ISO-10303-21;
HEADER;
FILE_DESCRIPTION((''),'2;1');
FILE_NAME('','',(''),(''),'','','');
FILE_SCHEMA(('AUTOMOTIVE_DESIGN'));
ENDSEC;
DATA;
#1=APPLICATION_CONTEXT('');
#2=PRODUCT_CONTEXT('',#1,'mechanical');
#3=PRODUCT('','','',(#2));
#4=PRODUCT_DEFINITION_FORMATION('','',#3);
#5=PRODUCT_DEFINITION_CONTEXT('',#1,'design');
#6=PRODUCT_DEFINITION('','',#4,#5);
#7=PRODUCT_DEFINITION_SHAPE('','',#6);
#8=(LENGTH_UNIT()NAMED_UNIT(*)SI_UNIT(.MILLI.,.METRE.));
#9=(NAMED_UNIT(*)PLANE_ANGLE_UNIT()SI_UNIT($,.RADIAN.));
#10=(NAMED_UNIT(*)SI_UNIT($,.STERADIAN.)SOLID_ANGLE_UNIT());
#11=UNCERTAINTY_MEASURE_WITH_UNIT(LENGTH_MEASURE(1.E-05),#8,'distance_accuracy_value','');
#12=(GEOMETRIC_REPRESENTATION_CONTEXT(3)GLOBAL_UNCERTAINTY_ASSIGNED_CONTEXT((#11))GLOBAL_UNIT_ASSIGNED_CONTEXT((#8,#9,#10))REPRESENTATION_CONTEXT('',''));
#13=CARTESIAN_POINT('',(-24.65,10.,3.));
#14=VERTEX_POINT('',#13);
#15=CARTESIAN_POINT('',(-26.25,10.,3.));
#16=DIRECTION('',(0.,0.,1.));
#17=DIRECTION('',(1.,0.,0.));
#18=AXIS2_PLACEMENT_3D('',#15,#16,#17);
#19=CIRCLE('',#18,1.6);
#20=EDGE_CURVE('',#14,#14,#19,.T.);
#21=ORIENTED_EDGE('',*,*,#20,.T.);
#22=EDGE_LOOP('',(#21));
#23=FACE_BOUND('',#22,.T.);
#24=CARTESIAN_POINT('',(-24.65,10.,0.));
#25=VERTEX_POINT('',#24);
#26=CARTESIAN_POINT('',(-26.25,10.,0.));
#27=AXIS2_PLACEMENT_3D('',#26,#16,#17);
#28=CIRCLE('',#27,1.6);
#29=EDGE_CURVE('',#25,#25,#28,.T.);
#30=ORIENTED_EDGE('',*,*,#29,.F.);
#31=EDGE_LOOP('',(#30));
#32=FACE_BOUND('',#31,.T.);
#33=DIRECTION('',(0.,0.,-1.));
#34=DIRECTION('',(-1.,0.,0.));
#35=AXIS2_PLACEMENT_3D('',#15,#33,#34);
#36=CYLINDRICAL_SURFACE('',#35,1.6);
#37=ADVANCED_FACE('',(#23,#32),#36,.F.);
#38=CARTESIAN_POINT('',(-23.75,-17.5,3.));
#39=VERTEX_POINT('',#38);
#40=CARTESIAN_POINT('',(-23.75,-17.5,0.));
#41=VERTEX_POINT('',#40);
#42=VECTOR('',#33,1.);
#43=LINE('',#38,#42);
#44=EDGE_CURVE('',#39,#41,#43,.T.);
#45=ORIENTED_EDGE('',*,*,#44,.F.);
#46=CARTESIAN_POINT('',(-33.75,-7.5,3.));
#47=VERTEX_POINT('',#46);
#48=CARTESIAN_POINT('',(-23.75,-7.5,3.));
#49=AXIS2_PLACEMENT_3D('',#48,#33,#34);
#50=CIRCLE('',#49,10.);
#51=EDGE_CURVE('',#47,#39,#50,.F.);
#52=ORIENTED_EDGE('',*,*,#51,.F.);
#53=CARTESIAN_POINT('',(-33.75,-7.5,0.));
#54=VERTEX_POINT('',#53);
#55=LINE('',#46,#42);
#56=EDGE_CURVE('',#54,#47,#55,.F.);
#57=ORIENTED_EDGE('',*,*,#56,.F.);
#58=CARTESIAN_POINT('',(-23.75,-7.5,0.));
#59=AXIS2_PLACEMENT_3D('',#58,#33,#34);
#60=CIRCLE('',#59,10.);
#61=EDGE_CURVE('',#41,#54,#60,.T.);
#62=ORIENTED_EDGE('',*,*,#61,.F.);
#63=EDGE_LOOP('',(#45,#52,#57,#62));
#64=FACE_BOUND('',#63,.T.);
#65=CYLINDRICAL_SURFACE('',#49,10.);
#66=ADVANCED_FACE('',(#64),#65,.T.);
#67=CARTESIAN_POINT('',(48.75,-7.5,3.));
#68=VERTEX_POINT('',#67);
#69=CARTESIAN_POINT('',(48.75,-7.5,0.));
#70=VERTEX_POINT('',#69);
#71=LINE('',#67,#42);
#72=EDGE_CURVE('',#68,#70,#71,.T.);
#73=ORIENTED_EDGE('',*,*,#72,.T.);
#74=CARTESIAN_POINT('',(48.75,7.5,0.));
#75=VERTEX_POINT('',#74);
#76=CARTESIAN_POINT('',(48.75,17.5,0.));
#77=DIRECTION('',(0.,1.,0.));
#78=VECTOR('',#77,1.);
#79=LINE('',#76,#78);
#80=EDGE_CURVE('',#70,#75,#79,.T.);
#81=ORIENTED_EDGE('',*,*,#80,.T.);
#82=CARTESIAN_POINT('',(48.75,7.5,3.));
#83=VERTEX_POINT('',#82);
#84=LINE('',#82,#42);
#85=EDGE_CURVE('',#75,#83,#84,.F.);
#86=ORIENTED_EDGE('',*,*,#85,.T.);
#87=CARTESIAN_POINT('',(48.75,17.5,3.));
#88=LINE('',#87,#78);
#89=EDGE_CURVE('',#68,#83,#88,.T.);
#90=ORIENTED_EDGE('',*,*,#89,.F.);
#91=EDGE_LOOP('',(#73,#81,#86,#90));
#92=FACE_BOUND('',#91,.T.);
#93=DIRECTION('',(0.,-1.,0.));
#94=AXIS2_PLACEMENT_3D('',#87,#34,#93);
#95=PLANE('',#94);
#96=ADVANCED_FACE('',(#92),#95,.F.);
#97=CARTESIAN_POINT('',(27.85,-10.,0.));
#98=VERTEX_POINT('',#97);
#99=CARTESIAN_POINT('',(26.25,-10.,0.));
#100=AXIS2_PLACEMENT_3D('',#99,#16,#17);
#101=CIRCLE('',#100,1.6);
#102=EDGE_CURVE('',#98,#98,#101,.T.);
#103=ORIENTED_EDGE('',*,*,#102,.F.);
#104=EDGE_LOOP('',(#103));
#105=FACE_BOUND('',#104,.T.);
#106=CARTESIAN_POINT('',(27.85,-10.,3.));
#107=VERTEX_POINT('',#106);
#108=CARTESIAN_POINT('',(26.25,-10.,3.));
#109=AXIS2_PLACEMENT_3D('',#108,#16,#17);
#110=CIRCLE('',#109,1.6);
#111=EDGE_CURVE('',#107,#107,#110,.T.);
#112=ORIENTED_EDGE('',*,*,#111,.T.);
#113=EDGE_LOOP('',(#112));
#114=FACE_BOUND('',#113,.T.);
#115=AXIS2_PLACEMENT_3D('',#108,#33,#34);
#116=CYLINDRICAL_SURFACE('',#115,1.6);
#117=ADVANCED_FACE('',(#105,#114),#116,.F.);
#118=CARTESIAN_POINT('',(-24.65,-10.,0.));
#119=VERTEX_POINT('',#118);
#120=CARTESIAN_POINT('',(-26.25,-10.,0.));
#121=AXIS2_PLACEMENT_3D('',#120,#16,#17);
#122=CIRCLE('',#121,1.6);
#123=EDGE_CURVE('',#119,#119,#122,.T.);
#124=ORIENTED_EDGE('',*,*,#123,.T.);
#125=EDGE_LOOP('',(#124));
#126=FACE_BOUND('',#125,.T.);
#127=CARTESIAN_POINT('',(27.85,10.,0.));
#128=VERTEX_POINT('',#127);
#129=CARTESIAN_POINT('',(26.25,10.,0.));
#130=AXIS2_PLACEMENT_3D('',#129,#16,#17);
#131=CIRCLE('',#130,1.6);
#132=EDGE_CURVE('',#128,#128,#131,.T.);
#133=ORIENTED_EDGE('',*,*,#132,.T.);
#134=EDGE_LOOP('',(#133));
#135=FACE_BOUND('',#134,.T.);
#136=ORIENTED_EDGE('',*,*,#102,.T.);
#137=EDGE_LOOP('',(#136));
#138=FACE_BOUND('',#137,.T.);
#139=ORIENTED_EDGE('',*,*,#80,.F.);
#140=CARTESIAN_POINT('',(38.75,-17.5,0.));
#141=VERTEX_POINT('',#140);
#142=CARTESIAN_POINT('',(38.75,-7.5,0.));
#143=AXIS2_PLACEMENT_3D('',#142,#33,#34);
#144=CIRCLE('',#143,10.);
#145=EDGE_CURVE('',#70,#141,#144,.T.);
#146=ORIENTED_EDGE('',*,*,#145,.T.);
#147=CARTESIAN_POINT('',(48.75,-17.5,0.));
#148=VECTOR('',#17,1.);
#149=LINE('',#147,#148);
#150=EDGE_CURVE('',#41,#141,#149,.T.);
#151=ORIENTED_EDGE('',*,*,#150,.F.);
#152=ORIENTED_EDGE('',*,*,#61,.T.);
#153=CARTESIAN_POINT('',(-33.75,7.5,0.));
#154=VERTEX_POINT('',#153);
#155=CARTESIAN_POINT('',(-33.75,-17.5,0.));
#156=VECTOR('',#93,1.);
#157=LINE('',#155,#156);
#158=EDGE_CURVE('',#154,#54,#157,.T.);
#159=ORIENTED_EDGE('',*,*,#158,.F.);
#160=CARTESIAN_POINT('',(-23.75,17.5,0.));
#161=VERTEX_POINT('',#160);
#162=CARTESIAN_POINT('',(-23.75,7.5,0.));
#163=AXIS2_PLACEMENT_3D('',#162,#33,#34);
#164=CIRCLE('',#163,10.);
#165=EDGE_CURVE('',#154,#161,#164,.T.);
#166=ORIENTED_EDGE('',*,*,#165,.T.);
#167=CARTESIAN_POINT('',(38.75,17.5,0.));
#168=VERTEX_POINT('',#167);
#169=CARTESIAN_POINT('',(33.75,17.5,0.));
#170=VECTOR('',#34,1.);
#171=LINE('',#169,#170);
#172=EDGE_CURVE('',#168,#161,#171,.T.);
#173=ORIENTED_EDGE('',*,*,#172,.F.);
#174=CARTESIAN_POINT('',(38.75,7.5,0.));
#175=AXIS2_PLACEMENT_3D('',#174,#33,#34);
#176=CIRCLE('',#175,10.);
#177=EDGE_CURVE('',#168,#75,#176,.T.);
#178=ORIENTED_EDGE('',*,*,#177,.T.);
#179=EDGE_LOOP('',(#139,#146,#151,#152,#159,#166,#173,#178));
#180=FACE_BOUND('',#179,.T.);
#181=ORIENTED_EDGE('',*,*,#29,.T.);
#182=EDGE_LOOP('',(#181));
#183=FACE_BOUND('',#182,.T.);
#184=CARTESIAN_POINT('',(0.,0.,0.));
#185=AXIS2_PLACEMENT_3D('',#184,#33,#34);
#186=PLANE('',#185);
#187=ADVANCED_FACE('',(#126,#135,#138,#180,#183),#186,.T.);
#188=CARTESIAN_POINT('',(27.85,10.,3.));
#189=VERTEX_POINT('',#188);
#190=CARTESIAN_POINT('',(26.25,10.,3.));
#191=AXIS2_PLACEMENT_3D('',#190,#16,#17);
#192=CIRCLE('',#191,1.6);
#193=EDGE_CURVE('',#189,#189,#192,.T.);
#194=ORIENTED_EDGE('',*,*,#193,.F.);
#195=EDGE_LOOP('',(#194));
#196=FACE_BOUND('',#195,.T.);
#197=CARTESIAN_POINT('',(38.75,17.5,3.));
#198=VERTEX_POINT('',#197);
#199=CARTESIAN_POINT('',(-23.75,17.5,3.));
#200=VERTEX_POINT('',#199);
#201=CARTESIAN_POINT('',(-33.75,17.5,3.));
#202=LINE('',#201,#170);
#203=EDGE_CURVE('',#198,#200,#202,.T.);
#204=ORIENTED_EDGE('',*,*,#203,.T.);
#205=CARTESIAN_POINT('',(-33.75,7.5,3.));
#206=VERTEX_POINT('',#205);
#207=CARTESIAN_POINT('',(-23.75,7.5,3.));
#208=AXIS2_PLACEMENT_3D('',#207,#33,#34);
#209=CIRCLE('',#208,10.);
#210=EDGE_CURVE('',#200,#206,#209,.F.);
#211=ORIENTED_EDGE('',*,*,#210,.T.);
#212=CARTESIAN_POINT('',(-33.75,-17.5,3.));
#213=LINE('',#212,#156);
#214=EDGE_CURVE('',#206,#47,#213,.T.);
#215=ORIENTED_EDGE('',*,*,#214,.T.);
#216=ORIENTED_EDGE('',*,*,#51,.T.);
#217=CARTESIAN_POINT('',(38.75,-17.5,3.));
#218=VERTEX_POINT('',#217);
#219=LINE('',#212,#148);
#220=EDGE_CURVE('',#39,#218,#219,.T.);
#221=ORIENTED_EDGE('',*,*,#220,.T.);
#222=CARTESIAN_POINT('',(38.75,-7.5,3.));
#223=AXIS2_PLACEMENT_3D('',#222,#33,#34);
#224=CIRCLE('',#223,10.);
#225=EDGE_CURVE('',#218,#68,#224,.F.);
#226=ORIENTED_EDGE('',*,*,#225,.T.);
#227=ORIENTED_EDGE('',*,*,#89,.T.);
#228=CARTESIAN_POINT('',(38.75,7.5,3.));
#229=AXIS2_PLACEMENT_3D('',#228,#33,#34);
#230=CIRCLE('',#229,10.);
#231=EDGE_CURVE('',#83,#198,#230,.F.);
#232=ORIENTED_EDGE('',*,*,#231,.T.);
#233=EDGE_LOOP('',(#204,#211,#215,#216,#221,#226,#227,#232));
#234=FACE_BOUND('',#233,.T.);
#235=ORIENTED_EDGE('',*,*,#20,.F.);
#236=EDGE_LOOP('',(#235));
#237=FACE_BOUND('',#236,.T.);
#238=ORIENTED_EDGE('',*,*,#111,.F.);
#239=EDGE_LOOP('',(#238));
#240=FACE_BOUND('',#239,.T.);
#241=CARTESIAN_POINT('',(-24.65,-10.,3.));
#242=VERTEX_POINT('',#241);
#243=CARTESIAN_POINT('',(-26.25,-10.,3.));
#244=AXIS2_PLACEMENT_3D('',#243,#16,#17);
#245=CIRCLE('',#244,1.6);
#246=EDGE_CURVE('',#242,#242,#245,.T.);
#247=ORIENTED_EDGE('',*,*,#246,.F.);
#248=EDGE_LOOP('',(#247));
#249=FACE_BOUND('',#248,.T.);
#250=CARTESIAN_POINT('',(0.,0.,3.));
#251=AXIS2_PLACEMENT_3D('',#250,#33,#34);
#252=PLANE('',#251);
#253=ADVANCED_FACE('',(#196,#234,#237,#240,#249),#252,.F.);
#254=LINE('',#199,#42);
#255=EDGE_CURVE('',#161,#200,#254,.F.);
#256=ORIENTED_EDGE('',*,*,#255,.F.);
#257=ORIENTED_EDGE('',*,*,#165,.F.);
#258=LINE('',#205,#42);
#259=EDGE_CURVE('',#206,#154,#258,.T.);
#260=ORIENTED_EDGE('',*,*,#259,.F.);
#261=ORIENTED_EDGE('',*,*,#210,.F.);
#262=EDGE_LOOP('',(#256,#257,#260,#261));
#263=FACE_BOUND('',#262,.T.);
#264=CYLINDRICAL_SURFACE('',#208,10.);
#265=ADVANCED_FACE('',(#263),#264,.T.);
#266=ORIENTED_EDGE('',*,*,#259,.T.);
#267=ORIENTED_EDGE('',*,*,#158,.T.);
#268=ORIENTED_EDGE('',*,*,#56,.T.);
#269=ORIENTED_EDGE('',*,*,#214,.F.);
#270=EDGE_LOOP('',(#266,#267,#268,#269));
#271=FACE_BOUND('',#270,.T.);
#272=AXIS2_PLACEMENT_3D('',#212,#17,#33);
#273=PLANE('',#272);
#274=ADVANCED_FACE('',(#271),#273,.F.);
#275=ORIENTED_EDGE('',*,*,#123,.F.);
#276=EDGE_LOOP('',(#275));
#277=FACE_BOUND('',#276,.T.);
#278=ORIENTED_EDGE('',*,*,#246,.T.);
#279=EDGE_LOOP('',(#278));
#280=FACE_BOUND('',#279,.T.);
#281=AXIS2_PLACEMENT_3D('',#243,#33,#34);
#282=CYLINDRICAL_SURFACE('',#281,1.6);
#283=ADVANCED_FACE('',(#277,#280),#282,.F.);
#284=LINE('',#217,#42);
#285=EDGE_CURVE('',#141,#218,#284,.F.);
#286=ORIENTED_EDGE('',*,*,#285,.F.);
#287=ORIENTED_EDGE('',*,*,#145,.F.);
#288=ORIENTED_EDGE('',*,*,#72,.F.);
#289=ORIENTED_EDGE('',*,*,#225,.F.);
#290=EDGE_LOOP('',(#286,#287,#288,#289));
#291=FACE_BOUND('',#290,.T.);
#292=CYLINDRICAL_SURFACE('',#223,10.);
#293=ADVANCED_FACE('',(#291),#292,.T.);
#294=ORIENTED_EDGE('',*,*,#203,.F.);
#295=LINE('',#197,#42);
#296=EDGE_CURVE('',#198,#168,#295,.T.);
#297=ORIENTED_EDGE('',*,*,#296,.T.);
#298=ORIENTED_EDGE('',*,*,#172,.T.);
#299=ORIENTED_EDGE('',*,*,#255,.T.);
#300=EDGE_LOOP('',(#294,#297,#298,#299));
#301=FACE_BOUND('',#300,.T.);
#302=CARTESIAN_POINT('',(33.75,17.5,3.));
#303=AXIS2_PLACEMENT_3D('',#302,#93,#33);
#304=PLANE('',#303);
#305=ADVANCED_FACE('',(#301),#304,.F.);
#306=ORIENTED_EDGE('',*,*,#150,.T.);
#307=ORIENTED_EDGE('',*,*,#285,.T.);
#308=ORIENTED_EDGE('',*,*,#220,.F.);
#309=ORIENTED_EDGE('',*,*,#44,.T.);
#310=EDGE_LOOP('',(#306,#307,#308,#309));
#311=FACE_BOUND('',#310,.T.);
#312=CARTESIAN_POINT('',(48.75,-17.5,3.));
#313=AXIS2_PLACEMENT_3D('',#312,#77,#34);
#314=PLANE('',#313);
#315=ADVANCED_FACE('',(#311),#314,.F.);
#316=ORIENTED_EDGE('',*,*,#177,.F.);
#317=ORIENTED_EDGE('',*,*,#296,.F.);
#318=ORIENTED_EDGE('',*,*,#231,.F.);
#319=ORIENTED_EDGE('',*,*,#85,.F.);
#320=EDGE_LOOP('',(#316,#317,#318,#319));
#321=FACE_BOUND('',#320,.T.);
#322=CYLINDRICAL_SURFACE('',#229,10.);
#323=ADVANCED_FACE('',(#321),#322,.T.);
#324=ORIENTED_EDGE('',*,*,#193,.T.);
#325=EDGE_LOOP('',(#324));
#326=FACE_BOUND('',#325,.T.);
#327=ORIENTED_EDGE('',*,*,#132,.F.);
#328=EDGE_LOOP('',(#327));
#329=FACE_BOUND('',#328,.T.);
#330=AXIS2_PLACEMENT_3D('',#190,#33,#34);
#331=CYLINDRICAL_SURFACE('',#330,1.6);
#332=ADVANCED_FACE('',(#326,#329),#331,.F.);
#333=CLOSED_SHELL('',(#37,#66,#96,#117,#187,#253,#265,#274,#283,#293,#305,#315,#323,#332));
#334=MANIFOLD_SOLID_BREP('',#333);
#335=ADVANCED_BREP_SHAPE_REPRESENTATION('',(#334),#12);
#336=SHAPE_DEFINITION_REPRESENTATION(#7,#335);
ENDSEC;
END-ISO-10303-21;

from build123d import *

# Parameters (mm, degrees)
SKETCH_1_R      = 1.6
EXTRUDE_1_DEPTH = 3
FILLET_1_R      = 10


with BuildPart() as part:
    # 草图1 → 凸台-拉伸1 (new body)
    with BuildSketch(Plane.XY):
        Polygon((33.75, 17.5), (48.75, 17.5), (48.75, -17.5), (33.75, -17.5), (-33.75, -17.5), (-33.75, 17.5), align=None)
        with Locations((-26.25, 10)):
            Circle(SKETCH_1_R, mode=Mode.SUBTRACT)
        with Locations((-26.25, -10)):
            Circle(SKETCH_1_R, mode=Mode.SUBTRACT)
        with Locations((26.25, -10)):
            Circle(SKETCH_1_R, mode=Mode.SUBTRACT)
        with Locations((26.25, 10)):
            Circle(SKETCH_1_R, mode=Mode.SUBTRACT)
    extrude(amount=EXTRUDE_1_DEPTH)

    # 圆角1
    fillet_1_edges = [part.edges().sort_by_distance(p)[0] for p in [
        (48.75, 17.5, 1.5),
        (48.75, -17.5, 1.5),
        (-33.75, -17.5, 1.5),
        (-33.75, 17.5, 1.5),
    ]]
    fillet(fillet_1_edges, radius=FILLET_1_R)


solid = part.part
